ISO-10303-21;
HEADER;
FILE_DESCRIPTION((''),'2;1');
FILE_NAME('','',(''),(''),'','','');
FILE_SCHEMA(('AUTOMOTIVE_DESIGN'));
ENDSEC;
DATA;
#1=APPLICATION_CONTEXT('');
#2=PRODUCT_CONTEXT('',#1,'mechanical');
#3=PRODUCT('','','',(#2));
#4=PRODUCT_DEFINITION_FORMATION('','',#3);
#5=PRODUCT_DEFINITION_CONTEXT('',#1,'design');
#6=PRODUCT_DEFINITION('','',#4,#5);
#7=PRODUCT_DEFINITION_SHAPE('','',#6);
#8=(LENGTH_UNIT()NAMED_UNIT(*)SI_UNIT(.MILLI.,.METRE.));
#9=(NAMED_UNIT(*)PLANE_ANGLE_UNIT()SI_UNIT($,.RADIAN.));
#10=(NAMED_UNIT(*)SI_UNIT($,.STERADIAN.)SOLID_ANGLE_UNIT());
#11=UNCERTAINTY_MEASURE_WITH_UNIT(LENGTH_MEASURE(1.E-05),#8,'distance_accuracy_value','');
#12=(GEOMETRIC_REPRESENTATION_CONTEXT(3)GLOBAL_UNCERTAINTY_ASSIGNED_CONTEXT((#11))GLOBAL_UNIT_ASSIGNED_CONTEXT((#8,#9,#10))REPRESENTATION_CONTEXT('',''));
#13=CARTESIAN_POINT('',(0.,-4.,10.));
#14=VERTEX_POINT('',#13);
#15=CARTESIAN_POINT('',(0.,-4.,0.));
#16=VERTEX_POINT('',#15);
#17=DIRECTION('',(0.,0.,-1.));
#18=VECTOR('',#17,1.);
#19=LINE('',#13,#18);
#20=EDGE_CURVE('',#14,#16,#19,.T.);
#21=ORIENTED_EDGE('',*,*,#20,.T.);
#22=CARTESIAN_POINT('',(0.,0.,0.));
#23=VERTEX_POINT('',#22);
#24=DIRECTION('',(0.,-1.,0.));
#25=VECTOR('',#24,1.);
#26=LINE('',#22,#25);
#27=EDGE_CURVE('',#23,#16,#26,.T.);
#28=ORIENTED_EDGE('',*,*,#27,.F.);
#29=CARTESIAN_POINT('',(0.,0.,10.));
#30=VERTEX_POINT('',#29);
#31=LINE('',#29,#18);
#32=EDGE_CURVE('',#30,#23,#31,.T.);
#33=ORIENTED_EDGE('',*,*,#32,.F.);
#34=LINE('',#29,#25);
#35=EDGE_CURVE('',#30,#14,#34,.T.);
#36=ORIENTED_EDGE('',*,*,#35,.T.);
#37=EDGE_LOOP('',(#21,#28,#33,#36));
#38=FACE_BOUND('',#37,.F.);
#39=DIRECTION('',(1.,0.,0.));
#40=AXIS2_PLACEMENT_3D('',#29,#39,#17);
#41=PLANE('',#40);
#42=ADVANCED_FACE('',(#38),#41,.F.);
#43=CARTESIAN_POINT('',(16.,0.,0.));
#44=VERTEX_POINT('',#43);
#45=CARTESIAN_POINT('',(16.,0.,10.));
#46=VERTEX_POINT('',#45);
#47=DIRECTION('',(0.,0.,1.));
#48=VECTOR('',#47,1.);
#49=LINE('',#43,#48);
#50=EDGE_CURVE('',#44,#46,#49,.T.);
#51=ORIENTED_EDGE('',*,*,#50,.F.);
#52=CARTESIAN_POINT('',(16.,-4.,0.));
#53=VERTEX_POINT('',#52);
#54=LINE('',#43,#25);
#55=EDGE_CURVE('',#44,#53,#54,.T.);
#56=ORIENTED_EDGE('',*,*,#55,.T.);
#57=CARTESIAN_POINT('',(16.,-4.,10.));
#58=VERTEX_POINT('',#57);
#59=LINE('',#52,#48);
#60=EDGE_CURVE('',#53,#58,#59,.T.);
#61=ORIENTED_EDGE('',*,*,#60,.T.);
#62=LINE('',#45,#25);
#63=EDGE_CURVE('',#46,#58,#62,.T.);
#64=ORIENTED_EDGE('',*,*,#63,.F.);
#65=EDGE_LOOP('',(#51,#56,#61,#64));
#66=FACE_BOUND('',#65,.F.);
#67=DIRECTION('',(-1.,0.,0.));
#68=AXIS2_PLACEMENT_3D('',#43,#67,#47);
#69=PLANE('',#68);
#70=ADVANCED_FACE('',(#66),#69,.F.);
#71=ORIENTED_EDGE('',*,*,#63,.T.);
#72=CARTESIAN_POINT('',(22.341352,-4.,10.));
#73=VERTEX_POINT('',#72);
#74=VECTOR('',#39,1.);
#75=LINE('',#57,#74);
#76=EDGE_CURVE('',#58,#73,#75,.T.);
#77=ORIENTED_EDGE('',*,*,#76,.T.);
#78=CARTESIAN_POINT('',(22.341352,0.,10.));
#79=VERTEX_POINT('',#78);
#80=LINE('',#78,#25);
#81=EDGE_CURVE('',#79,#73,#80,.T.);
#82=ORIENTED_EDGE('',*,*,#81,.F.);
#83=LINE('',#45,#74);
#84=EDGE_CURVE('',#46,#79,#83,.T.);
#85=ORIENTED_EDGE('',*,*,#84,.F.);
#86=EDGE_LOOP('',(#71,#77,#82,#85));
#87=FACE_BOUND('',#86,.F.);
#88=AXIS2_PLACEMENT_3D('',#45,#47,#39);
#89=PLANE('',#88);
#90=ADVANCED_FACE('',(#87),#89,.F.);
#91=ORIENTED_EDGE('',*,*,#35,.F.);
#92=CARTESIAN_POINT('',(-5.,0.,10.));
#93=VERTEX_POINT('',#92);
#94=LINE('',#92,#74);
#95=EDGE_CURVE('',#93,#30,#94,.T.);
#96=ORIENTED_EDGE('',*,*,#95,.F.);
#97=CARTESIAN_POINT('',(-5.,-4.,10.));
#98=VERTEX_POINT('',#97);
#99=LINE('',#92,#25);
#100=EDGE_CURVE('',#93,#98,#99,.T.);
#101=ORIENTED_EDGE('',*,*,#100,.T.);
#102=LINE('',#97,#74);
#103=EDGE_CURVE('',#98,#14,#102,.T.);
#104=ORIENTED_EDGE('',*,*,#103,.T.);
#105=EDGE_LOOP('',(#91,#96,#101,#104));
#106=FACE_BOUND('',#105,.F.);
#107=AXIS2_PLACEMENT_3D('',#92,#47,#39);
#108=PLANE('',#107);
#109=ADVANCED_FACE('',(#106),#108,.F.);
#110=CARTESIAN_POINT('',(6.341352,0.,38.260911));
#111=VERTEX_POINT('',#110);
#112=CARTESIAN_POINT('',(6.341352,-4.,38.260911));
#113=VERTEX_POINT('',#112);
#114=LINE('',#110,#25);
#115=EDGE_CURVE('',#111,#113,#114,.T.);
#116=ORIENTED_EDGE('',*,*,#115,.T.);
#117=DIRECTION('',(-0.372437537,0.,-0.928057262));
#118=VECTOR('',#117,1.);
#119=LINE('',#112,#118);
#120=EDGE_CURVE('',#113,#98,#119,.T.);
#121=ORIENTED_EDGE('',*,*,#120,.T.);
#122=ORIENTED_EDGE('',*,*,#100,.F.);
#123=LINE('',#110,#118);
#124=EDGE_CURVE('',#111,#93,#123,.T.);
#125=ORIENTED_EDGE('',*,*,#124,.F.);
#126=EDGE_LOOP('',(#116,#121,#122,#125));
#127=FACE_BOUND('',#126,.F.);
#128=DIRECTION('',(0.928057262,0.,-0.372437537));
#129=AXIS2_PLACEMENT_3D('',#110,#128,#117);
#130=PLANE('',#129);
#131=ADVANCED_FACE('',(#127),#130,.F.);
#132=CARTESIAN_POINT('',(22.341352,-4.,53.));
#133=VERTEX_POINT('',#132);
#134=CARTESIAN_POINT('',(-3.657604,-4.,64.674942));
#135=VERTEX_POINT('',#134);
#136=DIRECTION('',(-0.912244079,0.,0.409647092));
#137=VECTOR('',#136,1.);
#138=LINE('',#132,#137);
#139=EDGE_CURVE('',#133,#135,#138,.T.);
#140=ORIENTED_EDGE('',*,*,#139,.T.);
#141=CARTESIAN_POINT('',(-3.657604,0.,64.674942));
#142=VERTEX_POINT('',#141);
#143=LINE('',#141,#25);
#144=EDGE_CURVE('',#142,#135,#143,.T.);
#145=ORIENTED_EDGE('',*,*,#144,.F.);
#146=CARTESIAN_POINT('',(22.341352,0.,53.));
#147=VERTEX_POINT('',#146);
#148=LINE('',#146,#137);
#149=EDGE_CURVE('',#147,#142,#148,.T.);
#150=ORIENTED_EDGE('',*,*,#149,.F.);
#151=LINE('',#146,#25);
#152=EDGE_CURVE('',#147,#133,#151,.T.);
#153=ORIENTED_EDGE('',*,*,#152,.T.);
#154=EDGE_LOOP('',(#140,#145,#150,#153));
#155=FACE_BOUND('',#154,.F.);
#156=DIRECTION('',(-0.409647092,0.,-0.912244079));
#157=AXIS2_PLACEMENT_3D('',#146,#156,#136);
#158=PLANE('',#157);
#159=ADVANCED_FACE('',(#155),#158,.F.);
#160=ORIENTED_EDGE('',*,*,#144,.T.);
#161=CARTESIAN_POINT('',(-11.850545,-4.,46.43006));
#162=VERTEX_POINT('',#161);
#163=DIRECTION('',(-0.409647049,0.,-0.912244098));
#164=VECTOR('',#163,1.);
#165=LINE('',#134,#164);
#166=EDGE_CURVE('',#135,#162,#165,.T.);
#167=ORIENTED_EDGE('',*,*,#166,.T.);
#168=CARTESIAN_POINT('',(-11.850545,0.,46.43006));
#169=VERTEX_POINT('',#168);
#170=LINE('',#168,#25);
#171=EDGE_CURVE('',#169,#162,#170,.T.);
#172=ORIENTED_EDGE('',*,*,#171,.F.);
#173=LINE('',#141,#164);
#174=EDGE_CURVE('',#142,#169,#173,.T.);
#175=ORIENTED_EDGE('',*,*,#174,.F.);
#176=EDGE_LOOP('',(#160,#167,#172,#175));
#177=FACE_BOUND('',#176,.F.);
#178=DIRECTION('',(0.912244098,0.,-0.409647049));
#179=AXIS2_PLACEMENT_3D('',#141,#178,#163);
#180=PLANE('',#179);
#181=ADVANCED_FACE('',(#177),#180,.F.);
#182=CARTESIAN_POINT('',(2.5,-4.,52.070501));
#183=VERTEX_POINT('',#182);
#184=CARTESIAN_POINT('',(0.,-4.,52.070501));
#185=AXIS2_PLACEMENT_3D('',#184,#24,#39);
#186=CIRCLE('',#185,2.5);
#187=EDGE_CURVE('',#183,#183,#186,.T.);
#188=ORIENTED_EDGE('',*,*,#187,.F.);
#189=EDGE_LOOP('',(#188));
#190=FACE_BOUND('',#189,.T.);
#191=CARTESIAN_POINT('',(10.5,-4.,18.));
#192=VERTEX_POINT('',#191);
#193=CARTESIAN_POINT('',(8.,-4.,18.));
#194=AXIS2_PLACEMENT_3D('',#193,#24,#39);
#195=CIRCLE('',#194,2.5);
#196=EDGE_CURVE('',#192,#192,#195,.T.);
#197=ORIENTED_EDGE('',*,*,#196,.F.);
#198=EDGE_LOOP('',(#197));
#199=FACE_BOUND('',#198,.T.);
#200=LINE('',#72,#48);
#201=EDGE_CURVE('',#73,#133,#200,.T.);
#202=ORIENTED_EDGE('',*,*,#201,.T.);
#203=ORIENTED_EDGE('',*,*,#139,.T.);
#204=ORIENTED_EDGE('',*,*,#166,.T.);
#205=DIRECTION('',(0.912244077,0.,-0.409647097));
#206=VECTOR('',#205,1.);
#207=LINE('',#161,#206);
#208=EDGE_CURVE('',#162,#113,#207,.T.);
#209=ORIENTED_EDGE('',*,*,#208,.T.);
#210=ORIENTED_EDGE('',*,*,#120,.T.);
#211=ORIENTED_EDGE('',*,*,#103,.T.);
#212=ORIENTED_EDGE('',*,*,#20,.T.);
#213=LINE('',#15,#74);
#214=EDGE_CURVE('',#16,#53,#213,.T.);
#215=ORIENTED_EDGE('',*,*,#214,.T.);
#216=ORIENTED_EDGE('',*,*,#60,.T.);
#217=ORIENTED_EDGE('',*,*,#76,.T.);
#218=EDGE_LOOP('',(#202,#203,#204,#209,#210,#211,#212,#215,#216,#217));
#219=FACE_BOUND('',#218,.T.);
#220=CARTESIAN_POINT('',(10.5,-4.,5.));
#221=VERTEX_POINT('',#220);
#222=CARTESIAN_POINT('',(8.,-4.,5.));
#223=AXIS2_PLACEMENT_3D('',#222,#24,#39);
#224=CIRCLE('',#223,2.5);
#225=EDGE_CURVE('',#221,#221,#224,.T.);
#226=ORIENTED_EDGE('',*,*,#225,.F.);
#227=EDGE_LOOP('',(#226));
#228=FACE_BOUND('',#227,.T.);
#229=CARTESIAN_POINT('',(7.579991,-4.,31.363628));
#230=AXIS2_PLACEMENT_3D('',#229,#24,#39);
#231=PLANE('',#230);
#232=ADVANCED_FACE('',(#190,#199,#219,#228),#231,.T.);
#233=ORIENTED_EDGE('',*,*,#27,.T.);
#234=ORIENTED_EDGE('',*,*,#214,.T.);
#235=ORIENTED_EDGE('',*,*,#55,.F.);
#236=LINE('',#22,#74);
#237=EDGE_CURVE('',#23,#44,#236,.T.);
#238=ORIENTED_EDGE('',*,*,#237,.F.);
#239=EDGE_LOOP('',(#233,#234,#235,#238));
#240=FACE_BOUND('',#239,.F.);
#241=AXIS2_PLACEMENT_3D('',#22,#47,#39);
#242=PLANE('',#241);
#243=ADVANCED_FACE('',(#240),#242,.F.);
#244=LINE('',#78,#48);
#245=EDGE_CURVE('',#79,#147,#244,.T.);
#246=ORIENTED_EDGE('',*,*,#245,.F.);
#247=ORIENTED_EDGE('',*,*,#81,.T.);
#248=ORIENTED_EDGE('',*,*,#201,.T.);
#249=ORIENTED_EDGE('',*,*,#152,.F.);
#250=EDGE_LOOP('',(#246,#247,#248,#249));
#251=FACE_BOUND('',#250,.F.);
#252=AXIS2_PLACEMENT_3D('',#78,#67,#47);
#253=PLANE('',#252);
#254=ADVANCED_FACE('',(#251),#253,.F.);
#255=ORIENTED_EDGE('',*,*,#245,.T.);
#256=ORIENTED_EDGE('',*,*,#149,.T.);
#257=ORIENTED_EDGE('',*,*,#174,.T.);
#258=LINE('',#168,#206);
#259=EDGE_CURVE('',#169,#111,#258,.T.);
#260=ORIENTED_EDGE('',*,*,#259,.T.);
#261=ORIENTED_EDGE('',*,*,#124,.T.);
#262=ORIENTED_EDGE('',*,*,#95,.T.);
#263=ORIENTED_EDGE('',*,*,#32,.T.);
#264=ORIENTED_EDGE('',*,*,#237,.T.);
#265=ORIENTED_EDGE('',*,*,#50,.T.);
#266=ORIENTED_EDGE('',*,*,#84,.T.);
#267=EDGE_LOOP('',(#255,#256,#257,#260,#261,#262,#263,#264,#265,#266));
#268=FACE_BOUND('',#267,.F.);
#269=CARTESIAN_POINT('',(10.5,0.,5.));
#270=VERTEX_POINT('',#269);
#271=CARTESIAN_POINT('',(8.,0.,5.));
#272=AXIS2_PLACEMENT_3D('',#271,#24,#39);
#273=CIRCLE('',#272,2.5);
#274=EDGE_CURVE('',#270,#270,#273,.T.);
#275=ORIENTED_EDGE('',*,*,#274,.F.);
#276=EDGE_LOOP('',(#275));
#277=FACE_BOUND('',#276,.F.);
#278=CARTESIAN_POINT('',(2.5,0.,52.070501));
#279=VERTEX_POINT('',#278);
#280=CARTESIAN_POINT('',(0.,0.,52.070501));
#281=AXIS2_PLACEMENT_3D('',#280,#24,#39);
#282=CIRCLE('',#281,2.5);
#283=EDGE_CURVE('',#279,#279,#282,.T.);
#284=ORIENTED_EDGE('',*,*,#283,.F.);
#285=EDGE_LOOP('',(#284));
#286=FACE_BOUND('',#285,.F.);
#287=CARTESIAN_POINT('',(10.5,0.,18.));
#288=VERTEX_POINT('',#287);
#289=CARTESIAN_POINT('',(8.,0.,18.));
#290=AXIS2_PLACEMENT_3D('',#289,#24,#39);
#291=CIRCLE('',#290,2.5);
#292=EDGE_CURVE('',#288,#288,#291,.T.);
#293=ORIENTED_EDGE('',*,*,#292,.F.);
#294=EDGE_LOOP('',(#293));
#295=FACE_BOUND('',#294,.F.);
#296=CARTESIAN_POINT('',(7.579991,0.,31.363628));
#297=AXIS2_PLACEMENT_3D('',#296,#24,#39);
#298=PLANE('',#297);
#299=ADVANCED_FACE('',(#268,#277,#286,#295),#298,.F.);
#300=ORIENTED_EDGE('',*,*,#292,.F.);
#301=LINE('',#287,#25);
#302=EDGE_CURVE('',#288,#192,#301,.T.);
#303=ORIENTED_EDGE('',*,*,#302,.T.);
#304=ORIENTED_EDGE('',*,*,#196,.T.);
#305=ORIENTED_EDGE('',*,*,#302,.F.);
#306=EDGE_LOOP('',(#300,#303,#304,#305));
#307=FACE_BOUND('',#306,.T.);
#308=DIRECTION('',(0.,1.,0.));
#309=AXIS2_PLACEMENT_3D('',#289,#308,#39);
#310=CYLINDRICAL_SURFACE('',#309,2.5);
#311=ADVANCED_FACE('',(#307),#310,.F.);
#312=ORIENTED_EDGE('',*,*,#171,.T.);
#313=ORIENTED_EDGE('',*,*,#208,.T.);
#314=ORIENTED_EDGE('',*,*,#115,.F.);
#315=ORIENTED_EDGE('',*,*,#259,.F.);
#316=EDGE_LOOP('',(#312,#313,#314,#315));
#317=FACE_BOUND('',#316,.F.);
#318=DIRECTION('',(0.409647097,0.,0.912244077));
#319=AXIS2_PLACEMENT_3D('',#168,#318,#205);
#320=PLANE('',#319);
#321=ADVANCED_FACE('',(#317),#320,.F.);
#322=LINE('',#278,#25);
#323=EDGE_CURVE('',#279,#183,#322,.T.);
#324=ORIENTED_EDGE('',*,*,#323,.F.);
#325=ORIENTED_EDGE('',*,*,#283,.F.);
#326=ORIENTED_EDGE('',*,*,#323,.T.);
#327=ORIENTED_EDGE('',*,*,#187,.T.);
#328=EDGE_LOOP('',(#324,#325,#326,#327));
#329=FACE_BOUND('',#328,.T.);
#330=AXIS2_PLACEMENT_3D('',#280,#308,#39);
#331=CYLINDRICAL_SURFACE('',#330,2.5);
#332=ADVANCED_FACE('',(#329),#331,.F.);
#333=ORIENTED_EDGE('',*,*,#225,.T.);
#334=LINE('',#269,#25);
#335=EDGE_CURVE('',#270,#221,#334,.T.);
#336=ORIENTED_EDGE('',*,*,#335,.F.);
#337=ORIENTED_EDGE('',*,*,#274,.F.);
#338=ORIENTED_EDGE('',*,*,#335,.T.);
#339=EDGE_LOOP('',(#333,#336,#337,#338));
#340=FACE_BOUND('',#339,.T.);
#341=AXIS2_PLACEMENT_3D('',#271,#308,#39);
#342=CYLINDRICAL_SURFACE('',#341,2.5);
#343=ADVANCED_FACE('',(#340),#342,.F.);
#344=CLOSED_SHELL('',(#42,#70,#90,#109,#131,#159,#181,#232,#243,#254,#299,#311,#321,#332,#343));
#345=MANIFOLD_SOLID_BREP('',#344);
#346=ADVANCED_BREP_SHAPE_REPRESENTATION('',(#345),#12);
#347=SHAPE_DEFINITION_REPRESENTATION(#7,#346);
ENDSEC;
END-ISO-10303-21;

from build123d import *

# Parameters (mm, degrees)
F0_R     = 2.5
F1_DEPTH = 4


with BuildPart() as f1:
    # F0 (on Front) → F1 (new body)
    with BuildSketch(Plane.XZ):
        Polygon((0, 10), (0, 0), (16, 0), (16, 10), (22.341352, 10), (22.341352, 53), (-3.657604, 64.674942), (-11.850545, 46.43006), (6.341352, 38.260911), (-5, 10), align=None)
        with Locations((8, 5)):
            Circle(F0_R, mode=Mode.SUBTRACT)
        with Locations((8, 18)):
            Circle(F0_R, mode=Mode.SUBTRACT)
        with Locations((0, 52.070501)):
            Circle(F0_R, mode=Mode.SUBTRACT)
    extrude(amount=F1_DEPTH)


solid = f1.part
